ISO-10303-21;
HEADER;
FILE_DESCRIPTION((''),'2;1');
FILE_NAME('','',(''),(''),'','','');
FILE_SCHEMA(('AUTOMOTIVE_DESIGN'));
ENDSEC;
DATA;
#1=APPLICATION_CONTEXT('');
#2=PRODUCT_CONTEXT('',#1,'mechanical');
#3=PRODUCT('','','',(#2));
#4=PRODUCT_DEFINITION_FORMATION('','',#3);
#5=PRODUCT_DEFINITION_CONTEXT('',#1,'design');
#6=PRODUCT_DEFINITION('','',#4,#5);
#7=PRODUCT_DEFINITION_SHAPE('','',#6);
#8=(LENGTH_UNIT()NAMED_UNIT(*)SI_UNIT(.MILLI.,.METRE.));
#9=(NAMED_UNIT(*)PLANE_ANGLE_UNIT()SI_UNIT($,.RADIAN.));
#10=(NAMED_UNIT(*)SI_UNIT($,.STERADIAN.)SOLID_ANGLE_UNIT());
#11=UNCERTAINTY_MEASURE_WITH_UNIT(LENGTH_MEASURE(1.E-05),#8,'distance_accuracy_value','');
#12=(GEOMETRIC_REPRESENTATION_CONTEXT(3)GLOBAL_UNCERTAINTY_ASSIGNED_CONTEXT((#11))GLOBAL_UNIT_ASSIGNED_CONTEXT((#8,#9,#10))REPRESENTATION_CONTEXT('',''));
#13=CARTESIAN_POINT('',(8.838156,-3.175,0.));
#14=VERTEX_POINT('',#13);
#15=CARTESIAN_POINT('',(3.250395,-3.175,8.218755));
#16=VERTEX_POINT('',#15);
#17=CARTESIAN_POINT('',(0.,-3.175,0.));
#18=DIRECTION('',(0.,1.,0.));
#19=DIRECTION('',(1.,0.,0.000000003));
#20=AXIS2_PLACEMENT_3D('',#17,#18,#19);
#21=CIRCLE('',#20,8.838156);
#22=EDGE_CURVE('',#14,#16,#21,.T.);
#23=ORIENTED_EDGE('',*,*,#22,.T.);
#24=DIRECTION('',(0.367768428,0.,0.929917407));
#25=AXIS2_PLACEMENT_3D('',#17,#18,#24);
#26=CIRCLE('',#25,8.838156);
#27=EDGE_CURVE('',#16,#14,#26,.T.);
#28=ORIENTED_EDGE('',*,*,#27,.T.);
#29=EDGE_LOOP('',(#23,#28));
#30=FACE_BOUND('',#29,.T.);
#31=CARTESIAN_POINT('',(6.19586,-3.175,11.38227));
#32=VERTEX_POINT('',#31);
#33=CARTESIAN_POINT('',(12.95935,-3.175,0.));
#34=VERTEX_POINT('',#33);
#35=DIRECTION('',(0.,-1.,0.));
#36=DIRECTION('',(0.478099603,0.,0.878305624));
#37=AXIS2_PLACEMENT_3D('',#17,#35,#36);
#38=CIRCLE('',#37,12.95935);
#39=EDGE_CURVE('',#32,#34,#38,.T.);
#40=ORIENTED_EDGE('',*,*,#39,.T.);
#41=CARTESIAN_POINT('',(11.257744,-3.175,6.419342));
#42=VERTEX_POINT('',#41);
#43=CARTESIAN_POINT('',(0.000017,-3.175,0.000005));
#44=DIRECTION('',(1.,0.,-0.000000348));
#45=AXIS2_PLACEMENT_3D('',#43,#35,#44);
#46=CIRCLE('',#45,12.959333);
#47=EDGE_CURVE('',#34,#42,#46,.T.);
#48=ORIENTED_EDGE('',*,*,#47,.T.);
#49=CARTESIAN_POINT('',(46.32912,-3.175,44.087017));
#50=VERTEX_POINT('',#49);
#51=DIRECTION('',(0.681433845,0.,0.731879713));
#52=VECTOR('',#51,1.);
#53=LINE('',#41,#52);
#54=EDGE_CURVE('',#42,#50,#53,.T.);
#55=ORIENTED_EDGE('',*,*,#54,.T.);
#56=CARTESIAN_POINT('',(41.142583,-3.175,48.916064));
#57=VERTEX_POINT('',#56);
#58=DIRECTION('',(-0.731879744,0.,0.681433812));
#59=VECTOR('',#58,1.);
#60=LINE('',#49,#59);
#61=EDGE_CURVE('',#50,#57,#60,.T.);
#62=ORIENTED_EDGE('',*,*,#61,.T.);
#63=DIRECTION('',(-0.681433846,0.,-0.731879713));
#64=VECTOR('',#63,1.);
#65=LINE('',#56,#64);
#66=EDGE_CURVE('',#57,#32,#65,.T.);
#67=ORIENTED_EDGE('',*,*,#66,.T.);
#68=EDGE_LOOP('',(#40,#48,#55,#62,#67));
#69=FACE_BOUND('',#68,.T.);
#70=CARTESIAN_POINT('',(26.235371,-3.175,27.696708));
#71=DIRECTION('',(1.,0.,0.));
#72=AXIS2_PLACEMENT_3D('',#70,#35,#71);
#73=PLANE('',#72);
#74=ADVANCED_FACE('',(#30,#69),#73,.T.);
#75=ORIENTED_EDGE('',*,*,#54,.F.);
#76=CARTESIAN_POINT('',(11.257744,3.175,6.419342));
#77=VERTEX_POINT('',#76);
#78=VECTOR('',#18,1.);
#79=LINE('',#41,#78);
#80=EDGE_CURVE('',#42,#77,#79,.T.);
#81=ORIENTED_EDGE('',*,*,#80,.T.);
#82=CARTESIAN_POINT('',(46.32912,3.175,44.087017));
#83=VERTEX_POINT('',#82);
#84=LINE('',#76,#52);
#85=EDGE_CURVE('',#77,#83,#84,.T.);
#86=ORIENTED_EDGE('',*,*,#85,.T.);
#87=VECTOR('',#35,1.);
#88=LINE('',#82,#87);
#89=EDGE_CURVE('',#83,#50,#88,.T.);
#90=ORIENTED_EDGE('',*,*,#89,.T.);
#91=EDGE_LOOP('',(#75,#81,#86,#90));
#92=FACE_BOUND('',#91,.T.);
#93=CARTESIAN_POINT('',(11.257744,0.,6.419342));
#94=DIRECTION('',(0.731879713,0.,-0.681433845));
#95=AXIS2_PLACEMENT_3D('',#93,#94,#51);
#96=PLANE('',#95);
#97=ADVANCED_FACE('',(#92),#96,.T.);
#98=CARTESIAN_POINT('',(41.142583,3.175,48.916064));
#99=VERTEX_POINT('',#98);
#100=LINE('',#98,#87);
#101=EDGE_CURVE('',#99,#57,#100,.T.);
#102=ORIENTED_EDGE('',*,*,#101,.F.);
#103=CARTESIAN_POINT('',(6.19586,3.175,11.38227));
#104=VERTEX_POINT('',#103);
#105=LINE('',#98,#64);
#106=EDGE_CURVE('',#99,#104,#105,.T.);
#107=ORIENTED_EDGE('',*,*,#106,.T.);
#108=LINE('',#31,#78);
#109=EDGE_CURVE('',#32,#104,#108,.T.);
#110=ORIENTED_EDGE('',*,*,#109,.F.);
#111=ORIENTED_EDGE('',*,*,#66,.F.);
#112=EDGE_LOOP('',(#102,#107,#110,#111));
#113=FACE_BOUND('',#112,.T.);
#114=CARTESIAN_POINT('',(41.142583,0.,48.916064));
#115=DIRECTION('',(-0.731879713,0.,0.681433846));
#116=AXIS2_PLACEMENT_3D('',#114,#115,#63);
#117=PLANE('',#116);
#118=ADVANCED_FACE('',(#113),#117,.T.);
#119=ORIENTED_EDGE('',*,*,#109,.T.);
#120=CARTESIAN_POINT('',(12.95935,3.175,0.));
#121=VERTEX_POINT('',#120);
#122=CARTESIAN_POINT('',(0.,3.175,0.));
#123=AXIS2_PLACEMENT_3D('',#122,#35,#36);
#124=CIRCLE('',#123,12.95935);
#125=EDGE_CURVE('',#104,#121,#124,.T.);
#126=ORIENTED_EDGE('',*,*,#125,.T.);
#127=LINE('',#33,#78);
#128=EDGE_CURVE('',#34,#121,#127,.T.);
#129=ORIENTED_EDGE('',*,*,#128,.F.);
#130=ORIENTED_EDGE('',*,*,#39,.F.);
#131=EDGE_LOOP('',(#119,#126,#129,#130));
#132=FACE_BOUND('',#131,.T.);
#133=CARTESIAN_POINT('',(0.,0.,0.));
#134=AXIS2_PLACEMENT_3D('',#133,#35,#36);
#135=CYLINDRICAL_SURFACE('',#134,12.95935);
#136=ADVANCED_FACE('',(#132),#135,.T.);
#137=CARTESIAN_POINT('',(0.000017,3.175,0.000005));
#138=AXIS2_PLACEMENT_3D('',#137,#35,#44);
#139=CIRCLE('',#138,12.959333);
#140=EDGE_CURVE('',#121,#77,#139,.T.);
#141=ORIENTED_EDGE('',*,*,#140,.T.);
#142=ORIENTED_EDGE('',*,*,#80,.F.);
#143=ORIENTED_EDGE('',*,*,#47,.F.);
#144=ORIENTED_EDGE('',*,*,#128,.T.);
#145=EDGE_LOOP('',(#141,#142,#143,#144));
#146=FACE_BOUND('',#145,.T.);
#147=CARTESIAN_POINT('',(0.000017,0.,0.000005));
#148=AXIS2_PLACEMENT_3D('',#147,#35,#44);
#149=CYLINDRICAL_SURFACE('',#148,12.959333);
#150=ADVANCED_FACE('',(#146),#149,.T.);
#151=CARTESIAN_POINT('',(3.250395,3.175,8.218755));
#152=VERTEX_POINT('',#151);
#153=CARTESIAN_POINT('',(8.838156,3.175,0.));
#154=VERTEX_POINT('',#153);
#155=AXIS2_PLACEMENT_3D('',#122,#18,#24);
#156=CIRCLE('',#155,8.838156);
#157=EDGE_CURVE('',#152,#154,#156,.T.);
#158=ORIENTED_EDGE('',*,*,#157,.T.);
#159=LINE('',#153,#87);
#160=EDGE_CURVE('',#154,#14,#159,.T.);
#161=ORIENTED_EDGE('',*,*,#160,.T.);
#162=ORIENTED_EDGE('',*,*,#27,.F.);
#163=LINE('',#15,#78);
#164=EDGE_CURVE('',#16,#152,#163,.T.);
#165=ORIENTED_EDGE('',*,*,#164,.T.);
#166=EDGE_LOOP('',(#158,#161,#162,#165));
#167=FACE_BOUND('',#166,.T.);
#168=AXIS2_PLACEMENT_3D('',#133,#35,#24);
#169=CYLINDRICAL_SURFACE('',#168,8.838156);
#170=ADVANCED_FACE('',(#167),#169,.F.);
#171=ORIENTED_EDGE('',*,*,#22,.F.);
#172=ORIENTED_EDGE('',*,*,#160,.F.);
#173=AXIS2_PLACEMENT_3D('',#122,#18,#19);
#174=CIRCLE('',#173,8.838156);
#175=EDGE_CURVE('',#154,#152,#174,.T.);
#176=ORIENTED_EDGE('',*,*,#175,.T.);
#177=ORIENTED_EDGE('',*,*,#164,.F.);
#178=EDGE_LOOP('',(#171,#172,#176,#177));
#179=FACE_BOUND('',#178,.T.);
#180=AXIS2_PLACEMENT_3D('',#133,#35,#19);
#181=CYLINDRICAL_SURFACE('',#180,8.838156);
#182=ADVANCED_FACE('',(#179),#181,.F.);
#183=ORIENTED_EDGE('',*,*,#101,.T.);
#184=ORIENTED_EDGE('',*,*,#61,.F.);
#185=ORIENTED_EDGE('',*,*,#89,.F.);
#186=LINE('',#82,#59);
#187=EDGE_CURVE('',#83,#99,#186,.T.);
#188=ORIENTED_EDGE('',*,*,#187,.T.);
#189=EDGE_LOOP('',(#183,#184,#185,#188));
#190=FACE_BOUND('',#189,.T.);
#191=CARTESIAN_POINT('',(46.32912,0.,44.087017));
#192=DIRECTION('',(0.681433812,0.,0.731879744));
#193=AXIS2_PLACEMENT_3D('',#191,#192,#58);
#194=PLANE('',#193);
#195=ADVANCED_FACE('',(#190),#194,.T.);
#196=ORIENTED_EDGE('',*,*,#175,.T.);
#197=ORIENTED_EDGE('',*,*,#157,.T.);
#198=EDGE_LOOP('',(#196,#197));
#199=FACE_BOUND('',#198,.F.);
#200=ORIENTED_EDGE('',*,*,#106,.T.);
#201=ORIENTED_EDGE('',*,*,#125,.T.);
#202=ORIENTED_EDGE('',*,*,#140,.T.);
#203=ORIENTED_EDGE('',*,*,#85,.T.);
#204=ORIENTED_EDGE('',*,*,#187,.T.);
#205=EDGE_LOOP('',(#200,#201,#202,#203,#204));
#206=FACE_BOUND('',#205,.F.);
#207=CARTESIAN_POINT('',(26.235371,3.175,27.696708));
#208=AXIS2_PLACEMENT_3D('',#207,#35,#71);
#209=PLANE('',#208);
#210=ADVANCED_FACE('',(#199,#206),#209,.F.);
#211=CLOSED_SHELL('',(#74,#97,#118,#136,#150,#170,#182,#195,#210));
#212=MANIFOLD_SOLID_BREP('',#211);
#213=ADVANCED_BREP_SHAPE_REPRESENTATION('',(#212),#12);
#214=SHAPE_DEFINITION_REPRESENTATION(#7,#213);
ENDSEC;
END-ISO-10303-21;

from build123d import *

# Parameters (mm, degrees)
F1_DEPTH = 3.175


with BuildPart() as f1:
    # F0 (on Front) → F1 (new body, symmetric)
    with BuildSketch(Plane.XZ):
        with BuildLine():
            ThreePointArc((6.19586, 11.38227), (9.072747, 9.253649), (11.257744, 6.419342))
            Line((11.257744, 6.419342), (46.32912, 44.087017))
            Line((46.32912, 44.087017), (41.142583, 48.916064))
            Line((41.142583, 48.916064), (6.19586, 11.38227))
        make_face()
        with BuildLine():
            ThreePointArc((6.19586, 11.38227), (-11.140895, -6.620062), (12.95935, 0))
            ThreePointArc((12.95935, 0), (12.526728, 3.32052), (11.257744, 6.419342))
            ThreePointArc((11.257744, 6.419342), (9.072747, 9.253649), (6.19586, 11.38227))
        make_face()
        with BuildLine():
            ThreePointArc((8.838156, 0), (-7.308916, -4.96918), (3.250395, 8.218755))
            ThreePointArc((3.250395, 8.218755), (7.308916, 4.96918), (8.838156, 0))
        make_face(mode=Mode.SUBTRACT)
    extrude(amount=F1_DEPTH, both=True)


solid = f1.part
